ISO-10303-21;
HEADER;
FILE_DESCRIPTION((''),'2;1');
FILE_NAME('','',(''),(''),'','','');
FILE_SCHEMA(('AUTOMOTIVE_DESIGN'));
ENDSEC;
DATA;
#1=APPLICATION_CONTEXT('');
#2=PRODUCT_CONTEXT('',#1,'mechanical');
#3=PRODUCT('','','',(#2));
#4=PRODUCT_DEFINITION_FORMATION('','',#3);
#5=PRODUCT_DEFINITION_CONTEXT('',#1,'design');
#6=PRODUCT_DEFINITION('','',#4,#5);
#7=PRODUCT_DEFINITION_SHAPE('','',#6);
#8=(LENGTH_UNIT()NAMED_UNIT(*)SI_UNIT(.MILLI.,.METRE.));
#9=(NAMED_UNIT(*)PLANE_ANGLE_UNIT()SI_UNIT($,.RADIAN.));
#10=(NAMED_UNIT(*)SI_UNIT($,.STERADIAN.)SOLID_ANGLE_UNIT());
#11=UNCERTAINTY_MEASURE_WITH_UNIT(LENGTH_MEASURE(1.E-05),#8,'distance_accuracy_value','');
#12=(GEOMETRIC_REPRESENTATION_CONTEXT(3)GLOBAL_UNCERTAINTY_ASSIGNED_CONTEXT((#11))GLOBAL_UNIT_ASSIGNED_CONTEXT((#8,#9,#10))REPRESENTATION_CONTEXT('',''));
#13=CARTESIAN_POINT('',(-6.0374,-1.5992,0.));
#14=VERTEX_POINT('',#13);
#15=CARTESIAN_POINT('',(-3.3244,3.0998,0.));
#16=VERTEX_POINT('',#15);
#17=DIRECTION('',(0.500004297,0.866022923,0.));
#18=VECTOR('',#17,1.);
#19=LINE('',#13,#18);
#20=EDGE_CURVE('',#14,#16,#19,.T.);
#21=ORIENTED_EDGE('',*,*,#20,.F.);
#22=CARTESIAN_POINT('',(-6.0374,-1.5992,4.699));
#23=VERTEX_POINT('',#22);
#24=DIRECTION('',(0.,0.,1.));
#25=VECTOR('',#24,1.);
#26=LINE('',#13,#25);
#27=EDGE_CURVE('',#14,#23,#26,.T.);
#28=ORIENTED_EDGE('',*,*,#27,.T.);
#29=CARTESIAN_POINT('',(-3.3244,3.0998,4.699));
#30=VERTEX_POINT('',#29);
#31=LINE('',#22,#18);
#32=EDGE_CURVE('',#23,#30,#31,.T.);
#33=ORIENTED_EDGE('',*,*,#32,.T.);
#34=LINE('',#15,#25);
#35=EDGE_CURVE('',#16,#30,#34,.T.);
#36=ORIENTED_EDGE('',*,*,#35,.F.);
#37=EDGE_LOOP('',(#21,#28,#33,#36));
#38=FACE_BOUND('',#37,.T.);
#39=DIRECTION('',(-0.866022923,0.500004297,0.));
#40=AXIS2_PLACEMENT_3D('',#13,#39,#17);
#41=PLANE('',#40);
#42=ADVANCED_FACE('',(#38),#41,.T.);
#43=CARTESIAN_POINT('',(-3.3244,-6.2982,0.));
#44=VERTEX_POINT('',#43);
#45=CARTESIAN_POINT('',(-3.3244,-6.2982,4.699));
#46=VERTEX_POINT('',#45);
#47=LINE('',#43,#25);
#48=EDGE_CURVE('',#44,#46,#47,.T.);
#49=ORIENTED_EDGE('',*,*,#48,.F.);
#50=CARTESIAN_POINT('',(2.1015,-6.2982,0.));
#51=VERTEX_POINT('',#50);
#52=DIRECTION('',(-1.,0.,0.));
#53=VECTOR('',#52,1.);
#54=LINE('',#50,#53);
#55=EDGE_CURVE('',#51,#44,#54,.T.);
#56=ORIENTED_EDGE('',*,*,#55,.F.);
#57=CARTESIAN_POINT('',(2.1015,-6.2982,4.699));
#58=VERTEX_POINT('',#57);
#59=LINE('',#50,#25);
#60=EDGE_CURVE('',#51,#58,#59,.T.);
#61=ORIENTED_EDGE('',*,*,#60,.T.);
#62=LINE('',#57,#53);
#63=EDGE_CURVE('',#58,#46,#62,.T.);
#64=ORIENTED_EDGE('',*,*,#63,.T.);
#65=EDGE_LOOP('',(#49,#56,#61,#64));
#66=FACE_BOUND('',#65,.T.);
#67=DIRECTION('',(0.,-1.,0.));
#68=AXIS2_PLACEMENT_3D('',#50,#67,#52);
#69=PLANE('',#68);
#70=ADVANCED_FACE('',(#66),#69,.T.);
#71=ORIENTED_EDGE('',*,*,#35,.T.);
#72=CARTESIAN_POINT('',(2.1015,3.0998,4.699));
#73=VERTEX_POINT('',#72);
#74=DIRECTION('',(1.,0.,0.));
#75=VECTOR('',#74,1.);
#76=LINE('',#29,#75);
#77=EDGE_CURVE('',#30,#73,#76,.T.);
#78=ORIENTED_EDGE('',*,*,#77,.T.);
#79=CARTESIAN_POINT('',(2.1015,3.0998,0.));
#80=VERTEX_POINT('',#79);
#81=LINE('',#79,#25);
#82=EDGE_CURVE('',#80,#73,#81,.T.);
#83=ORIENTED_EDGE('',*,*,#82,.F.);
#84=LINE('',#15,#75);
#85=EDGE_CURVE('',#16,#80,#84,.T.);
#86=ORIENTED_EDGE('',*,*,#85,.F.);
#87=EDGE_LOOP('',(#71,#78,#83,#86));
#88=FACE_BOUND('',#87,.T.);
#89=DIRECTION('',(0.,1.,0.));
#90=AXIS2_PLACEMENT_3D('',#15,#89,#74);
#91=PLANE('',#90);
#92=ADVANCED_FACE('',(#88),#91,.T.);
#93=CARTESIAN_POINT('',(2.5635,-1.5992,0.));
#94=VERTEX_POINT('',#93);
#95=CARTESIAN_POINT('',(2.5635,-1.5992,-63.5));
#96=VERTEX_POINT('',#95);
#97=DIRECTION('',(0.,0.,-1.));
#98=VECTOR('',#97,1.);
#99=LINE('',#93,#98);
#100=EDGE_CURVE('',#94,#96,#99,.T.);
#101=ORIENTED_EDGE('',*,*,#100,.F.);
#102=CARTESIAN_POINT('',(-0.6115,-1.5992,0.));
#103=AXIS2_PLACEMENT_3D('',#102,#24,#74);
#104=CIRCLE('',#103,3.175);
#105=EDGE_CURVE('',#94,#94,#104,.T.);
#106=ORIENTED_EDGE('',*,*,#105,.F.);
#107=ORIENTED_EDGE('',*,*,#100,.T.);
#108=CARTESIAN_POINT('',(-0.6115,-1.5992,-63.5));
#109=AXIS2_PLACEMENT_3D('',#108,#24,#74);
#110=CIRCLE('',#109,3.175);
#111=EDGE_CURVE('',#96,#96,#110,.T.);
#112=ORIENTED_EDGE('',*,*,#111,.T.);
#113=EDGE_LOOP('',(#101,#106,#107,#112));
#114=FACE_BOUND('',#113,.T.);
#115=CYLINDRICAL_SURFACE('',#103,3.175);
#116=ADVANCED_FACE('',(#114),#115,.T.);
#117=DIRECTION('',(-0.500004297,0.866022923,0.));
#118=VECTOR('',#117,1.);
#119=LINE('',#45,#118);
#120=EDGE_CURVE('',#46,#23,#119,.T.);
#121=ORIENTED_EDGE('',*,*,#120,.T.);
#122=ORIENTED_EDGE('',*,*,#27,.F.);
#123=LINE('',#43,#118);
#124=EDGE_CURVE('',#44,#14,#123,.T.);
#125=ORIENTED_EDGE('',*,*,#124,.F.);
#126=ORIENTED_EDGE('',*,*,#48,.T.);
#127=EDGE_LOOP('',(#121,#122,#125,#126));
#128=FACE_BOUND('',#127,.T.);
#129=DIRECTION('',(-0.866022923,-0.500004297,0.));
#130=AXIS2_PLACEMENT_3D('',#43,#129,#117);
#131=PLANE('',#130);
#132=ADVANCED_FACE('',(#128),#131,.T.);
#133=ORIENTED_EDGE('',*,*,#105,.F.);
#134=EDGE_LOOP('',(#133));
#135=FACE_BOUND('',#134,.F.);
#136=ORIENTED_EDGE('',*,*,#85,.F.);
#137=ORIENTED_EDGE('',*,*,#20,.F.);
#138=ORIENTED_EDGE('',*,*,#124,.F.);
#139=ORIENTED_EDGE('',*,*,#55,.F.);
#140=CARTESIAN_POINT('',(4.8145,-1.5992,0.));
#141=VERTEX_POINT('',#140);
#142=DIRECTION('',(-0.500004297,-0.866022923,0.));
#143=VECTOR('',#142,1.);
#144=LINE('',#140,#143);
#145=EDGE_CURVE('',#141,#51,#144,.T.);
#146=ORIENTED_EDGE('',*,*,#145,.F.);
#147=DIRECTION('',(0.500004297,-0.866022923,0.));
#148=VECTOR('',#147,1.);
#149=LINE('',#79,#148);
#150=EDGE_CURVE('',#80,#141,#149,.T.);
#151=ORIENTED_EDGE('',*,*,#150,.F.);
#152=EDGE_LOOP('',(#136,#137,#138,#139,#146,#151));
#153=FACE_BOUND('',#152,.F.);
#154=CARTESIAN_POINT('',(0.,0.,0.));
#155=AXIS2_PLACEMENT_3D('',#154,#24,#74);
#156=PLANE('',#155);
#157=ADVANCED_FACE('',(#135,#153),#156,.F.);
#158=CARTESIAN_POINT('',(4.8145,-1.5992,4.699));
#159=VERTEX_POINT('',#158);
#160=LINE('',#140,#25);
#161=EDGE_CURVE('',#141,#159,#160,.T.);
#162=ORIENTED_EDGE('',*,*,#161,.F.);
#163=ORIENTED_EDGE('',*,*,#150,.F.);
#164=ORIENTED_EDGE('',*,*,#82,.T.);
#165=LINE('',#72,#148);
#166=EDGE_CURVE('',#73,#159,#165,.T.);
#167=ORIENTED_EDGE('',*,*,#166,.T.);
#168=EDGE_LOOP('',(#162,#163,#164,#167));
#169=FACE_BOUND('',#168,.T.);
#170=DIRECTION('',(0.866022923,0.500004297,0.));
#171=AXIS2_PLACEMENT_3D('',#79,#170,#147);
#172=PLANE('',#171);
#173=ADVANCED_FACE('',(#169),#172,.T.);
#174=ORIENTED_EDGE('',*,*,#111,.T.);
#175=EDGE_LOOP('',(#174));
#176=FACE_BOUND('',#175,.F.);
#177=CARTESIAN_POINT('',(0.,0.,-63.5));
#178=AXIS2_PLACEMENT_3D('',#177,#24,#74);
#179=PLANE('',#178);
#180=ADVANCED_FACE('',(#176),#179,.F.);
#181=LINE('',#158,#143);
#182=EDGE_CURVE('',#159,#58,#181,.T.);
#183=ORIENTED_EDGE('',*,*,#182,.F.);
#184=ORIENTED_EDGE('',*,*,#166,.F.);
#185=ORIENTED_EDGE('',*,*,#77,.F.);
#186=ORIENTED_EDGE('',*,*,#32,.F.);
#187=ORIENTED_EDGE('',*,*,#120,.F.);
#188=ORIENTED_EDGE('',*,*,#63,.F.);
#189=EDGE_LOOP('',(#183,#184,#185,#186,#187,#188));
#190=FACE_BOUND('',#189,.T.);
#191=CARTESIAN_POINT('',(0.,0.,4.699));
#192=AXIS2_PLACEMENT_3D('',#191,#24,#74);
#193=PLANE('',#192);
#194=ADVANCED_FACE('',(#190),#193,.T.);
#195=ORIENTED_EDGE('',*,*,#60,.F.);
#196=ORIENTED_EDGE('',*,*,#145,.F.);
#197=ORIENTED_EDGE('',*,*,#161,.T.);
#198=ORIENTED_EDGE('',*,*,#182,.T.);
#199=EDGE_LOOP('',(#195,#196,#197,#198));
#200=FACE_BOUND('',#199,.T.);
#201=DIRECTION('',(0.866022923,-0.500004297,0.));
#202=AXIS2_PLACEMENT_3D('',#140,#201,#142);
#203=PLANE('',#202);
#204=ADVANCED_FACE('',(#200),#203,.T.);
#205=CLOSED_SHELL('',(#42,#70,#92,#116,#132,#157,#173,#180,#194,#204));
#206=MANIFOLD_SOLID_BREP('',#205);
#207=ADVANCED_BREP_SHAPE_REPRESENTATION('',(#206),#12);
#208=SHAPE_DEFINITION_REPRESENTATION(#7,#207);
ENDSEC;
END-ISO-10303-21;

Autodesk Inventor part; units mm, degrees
ref_plane "YZ Plane" through (0, 0, 0) normal (1, 0, 0) x (0, 1, 0)
ref_plane "XZ Plane" through (0, 0, 0) normal (0, 1, 0) x (-1, 0, 0)
ref_plane "XY Plane" through (0, 0, 0) normal (0, 0, 1) x (1, 0, 0)
sketch "Sketch1" plane through (0, 0, 0) normal (0, 0, 1) x (1, 0, 0)
  circle A0 centre (-0.6115, -1.5992) radius 3.175
  line L0 (-6.0374, -1.5992) -> (-3.3244, 3.0998)
  line L1 (-3.3244, 3.0998) -> (2.1015, 3.0998)
  line L2 (2.1015, 3.0998) -> (4.8145, -1.5992)
  line L3 (4.8145, -1.5992) -> (2.1015, -6.2982)
  line L4 (2.1015, -6.2982) -> (-3.3244, -6.2982)
  line L5 (-3.3244, -6.2982) -> (-6.0374, -1.5992)
  dimension "d10" = 9.398
extrude "Extrusion1" add sketch "Sketch1" against normal blind 63.5 contours A0
extrude "Extrusion2" add sketch "Sketch1" along normal blind 4.699 contours A0 | L0 L1 L2 L3 L4 L5
thread "Thread1" size "1/4-20 UNC" class "2A" standard "ANSI Unified Screw Threads" length 25.4
properties part number "HW-00063"
